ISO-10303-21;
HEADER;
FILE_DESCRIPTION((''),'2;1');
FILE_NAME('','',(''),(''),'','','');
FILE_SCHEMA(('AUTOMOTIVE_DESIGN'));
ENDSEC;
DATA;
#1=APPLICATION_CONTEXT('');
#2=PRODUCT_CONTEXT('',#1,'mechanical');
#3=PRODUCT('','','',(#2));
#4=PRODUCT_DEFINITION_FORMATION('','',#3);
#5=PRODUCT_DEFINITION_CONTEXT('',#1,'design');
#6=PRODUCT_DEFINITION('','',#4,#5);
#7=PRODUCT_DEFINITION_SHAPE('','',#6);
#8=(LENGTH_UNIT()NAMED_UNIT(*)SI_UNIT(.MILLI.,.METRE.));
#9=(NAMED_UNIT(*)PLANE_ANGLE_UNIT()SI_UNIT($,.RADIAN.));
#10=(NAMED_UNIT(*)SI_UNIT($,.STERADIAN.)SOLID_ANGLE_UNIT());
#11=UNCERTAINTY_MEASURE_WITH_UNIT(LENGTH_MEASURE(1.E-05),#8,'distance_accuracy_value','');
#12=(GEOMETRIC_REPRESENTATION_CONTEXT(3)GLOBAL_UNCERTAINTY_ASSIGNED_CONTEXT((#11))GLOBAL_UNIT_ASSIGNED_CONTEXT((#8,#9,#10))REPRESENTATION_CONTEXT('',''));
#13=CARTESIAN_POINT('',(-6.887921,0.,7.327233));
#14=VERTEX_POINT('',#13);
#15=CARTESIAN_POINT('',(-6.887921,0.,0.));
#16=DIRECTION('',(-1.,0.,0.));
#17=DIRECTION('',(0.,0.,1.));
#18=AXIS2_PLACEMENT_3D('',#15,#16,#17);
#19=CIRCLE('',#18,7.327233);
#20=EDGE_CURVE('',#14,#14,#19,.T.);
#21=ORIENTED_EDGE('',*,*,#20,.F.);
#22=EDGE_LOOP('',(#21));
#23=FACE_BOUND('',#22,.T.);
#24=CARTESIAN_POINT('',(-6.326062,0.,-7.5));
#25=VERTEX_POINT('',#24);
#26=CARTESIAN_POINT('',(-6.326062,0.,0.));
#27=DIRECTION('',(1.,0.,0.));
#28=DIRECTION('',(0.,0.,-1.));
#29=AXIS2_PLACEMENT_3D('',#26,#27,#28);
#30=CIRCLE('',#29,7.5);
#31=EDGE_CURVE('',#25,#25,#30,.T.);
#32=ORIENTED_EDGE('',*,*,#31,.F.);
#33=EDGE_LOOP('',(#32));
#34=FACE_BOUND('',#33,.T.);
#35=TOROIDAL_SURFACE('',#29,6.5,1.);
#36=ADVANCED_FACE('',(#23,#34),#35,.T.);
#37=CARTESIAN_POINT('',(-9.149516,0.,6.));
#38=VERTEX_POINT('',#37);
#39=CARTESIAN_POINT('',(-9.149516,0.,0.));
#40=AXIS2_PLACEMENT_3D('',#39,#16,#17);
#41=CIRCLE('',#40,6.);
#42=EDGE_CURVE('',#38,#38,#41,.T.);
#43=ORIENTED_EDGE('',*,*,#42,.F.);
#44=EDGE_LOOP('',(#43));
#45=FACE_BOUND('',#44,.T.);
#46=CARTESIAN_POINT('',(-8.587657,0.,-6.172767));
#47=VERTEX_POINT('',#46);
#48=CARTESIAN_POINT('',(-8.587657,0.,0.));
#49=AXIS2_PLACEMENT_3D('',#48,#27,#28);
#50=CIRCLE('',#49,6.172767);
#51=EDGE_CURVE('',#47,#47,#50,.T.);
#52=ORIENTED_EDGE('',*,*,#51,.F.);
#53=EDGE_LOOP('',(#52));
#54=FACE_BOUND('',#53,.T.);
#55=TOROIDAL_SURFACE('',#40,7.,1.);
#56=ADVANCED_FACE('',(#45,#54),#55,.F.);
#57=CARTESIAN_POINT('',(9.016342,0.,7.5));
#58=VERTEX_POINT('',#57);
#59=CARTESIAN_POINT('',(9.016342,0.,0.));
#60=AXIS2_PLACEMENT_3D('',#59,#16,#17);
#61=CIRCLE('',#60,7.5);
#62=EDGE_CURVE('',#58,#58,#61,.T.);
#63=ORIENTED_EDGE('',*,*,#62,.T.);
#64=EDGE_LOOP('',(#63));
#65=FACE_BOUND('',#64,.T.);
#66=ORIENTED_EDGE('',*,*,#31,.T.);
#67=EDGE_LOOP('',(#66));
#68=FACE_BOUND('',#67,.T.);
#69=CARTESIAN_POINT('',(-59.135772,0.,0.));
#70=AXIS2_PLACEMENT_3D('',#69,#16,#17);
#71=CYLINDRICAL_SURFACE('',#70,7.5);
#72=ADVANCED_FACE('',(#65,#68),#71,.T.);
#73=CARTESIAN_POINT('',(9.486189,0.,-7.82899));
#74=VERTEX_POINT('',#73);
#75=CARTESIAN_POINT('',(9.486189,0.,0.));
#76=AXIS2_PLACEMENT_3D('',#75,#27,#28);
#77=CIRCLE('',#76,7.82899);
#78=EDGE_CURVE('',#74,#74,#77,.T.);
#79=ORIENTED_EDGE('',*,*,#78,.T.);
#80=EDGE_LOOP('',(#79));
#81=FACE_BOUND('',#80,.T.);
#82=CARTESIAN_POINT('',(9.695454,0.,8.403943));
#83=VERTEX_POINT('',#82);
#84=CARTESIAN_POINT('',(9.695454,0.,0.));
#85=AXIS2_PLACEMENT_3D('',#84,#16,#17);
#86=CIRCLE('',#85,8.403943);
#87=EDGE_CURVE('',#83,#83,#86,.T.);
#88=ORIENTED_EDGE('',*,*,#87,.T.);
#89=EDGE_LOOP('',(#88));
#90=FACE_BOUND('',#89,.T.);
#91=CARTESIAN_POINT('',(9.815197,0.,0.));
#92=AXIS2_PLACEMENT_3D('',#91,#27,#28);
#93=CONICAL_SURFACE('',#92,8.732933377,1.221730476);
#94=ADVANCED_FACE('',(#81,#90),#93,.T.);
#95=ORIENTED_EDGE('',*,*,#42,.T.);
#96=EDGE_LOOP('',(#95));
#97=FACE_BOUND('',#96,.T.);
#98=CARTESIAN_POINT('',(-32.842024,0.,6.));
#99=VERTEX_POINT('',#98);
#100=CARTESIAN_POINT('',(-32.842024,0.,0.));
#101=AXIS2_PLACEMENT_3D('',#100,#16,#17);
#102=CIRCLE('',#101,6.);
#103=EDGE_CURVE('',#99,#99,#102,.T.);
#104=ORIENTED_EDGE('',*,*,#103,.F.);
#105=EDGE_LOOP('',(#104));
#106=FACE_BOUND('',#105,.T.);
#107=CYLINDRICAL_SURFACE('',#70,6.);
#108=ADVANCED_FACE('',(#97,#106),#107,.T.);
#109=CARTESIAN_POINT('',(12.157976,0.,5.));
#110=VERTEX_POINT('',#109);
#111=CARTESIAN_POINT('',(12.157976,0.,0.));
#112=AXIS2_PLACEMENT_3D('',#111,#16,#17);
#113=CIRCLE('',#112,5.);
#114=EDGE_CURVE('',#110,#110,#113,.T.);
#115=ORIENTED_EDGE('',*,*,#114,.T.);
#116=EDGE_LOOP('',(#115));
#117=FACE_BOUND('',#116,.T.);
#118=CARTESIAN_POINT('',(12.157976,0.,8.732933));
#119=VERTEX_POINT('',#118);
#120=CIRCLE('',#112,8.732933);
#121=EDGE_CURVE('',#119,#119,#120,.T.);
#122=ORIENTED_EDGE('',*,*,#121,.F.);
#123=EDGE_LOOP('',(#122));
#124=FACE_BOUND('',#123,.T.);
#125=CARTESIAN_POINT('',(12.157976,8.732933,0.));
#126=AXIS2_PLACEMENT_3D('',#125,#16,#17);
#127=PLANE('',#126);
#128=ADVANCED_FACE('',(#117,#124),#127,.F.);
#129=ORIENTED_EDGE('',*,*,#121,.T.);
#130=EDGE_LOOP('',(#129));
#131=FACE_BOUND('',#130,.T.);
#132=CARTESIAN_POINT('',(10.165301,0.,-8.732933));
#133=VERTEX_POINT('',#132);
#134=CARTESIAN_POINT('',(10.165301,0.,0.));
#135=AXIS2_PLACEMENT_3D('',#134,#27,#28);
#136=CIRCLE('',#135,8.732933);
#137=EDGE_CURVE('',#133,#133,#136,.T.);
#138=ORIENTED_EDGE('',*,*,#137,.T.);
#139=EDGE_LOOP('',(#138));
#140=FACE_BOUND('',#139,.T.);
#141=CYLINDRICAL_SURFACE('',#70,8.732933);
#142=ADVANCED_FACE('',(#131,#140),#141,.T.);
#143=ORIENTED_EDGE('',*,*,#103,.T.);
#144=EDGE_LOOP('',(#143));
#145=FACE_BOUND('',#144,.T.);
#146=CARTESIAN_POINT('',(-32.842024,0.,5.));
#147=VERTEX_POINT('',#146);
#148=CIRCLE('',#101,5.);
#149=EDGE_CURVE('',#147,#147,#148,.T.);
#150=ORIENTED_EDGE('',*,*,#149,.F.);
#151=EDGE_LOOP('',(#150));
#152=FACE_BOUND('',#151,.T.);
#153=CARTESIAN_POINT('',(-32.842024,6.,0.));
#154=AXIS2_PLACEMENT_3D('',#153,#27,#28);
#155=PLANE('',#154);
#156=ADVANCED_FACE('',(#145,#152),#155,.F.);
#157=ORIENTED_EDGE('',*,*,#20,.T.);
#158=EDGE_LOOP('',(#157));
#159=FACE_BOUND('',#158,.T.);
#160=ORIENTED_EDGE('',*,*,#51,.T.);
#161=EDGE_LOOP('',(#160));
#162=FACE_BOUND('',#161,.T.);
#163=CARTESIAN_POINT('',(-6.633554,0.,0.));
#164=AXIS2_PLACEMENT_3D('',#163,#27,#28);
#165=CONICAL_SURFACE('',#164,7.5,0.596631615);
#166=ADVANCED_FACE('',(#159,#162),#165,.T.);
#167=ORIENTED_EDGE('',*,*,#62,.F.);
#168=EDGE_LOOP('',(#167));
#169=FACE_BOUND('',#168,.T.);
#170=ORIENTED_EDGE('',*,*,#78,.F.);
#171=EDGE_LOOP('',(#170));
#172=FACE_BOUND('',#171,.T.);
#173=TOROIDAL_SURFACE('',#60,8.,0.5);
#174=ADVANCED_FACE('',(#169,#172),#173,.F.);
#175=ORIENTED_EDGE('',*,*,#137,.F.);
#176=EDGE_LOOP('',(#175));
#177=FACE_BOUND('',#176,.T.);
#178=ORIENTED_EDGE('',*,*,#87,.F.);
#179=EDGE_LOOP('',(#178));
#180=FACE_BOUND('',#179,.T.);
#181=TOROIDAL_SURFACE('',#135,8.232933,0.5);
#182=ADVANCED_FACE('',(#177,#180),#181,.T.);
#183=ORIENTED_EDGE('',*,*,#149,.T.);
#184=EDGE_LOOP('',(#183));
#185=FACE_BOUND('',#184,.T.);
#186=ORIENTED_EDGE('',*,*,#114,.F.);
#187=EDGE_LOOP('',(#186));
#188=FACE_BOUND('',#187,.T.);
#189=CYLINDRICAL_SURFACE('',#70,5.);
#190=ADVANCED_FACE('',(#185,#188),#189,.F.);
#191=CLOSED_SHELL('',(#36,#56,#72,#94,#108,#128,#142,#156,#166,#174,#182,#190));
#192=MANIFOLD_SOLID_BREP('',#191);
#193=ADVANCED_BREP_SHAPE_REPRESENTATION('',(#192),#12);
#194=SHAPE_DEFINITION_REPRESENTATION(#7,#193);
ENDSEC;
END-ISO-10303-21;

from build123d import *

# Parameters (mm, degrees)
FILLET_2_R = 0.5
FILLET_3_R = 0.5
FILLET_4_R = 1
FILLET_5_R = 1


with BuildPart() as part:
    # 草图2 → 旋转1 (revolve)
    with BuildSketch(Plane.XY, mode=Mode.PRIVATE) as revolve_1_sk:
        Polygon((-32.84202412, 5), (12.15797588, 5), (12.15797588, 7.5), (12.15797588, 8.732933377), (9.81519701, 8.732933377), (9.36644596, 7.5), (-6.63355404, 7.5), (-8.84202412, 6), (-32.84202412, 6), align=None)
    revolve(revolve_1_sk.sketch.rotate(Axis((-59.135771609, 0, 0), (1, 0, 0)), 90), axis=Axis((-59.135771609, 0, 0), (1, 0, 0)))

    # 圆角2
    fillet_2_edges = [part.edges().sort_by_distance(p)[0] for p in [
        (9.36644596, 0, -7.5),
    ]]
    fillet(fillet_2_edges, radius=FILLET_2_R)

    # 圆角3
    fillet_3_edges = [part.edges().sort_by_distance(p)[0] for p in [
        (9.81519701, 0, -8.732933377),
    ]]
    fillet(fillet_3_edges, radius=FILLET_3_R)

    # 圆角4
    fillet_4_edges = [part.edges().sort_by_distance(p)[0] for p in [
        (-6.63355404, 0, -7.5),
    ]]
    fillet(fillet_4_edges, radius=FILLET_4_R)

    # 圆角5
    fillet_5_edges = [part.edges().sort_by_distance(p)[0] for p in [
        (-8.84202412, 0, -6),
    ]]
    fillet(fillet_5_edges, radius=FILLET_5_R)


solid = part.part
